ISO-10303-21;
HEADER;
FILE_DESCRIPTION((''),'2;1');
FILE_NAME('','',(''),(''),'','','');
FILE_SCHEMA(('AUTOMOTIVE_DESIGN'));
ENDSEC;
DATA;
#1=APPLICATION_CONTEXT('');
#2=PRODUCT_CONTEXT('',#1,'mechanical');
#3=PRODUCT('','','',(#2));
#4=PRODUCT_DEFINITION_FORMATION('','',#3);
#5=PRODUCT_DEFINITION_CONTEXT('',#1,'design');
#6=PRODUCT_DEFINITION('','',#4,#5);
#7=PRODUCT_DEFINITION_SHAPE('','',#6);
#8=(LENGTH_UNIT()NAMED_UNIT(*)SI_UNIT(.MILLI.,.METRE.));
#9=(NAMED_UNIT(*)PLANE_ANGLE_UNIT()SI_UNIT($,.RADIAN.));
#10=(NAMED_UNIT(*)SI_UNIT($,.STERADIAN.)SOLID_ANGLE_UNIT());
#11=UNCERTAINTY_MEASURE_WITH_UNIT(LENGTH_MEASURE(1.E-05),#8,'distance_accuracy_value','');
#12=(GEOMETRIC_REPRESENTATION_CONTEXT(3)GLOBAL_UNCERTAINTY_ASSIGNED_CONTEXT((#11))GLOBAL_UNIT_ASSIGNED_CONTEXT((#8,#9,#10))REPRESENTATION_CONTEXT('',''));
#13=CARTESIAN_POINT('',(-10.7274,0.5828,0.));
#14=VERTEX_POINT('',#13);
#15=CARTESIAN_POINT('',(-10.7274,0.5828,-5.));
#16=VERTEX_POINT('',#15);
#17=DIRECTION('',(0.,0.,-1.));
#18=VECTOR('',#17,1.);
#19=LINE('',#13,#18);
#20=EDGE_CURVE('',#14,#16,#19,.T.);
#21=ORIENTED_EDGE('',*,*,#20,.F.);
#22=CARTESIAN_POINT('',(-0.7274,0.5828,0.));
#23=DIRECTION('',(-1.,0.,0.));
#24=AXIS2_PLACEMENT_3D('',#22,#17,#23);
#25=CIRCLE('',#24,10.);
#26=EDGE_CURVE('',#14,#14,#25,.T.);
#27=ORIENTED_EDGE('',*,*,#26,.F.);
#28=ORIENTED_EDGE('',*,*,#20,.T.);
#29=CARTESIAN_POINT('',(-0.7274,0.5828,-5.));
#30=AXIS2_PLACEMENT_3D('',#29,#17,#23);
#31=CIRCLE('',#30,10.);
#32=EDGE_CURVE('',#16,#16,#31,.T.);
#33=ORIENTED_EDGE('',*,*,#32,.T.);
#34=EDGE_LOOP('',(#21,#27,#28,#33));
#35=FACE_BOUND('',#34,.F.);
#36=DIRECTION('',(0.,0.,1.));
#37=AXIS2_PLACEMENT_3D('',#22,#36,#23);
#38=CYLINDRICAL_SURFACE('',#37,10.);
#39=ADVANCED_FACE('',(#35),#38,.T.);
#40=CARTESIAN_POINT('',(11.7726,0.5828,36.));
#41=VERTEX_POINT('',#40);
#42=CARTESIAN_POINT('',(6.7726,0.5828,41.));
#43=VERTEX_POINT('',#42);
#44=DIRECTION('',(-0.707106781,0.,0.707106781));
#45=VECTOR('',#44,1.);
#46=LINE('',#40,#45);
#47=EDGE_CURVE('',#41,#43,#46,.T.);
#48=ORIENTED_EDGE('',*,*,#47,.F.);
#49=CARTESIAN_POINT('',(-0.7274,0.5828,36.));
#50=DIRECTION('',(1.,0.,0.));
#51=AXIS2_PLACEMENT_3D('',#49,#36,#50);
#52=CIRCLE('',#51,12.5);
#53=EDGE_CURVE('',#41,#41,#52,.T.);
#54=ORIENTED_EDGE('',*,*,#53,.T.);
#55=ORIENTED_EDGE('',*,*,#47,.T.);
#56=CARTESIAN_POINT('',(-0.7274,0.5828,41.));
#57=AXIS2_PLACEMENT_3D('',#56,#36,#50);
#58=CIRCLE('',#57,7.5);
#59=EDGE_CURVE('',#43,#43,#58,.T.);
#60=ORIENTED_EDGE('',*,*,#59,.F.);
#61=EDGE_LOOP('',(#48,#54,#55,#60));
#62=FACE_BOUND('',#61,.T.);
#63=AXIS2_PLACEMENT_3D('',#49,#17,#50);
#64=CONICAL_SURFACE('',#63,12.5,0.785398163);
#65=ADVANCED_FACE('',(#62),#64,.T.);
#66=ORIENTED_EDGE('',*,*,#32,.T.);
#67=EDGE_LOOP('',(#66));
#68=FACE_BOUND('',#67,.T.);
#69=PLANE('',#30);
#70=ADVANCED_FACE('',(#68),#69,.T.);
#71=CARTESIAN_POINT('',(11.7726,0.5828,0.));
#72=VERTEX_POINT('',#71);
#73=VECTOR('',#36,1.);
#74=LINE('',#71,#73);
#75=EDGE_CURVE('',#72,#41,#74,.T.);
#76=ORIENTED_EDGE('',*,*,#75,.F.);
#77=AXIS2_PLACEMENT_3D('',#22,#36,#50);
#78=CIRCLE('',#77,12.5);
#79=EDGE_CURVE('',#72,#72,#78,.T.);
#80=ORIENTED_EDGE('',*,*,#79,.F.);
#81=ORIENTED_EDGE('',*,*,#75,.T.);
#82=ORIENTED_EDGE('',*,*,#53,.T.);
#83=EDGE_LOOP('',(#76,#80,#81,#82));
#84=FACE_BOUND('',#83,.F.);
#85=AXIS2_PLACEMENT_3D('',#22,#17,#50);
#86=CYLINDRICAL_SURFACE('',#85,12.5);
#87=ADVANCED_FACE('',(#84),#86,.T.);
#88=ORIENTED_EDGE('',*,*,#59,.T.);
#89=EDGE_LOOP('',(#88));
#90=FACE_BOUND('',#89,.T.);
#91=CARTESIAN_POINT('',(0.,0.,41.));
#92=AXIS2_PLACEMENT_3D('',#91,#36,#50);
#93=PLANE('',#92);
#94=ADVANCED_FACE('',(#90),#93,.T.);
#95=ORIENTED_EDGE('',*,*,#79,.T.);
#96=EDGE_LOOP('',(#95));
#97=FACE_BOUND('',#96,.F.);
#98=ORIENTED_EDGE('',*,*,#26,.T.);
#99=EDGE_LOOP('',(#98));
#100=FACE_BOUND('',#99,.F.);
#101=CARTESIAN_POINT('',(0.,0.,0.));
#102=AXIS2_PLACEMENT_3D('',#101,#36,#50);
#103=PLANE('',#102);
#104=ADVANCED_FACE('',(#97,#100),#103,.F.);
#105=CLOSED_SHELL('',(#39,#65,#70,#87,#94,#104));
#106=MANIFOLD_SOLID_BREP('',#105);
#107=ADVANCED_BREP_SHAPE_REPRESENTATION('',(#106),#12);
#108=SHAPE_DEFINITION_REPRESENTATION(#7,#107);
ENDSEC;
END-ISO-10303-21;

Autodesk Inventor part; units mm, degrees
ref_plane "YZ Plane" through (0, 0, 0) normal (1, 0, 0) x (0, 1, 0)
ref_plane "XZ Plane" through (0, 0, 0) normal (0, 1, 0) x (-1, 0, 0)
sketch "Skizze1" plane through (0, 0, 0) normal (0, 0, 1) x (1, 0, 0)
  circle A0 centre (-0.7274, 0.5828) radius 13
  circle A1 centre (-0.7274, 0.5828) radius 12.5
  dimension "d8" = 25
ref_plane "Arbeitsebene1" through (-32.0071, -13.4173, 43.0224) normal (0, 0, 1) x (0.7071, 0.7071, 0)
extrude "Extrusion1" add sketch "Skizze1" along normal blind 41 contours A1
chamfer "Fase1" distance 5 angle 45 1 edges at (-13.2274, 0.5828, 41)
sketch "Sketch2" plane through (-0.7274, 0.5828, 0) normal (0, 0, -1) x (-1, 0, 0)
  circle A0 centre (0, 0) radius 8.6364 projected
  circle A1 centre (0, 0) radius 13.6364 projected
  circle A2 centre (0, 0) radius 13.6364 projected
  circle A3 centre (0, 0) radius 10
  point P0 (-0.7274, -0.5828)
  dimension "d5" = 20
extrude "Extrusion2" add sketch "Sketch2" along normal blind 5 contours A0 | A3
properties part number "00_Microscope_Objective_Lens10x"
